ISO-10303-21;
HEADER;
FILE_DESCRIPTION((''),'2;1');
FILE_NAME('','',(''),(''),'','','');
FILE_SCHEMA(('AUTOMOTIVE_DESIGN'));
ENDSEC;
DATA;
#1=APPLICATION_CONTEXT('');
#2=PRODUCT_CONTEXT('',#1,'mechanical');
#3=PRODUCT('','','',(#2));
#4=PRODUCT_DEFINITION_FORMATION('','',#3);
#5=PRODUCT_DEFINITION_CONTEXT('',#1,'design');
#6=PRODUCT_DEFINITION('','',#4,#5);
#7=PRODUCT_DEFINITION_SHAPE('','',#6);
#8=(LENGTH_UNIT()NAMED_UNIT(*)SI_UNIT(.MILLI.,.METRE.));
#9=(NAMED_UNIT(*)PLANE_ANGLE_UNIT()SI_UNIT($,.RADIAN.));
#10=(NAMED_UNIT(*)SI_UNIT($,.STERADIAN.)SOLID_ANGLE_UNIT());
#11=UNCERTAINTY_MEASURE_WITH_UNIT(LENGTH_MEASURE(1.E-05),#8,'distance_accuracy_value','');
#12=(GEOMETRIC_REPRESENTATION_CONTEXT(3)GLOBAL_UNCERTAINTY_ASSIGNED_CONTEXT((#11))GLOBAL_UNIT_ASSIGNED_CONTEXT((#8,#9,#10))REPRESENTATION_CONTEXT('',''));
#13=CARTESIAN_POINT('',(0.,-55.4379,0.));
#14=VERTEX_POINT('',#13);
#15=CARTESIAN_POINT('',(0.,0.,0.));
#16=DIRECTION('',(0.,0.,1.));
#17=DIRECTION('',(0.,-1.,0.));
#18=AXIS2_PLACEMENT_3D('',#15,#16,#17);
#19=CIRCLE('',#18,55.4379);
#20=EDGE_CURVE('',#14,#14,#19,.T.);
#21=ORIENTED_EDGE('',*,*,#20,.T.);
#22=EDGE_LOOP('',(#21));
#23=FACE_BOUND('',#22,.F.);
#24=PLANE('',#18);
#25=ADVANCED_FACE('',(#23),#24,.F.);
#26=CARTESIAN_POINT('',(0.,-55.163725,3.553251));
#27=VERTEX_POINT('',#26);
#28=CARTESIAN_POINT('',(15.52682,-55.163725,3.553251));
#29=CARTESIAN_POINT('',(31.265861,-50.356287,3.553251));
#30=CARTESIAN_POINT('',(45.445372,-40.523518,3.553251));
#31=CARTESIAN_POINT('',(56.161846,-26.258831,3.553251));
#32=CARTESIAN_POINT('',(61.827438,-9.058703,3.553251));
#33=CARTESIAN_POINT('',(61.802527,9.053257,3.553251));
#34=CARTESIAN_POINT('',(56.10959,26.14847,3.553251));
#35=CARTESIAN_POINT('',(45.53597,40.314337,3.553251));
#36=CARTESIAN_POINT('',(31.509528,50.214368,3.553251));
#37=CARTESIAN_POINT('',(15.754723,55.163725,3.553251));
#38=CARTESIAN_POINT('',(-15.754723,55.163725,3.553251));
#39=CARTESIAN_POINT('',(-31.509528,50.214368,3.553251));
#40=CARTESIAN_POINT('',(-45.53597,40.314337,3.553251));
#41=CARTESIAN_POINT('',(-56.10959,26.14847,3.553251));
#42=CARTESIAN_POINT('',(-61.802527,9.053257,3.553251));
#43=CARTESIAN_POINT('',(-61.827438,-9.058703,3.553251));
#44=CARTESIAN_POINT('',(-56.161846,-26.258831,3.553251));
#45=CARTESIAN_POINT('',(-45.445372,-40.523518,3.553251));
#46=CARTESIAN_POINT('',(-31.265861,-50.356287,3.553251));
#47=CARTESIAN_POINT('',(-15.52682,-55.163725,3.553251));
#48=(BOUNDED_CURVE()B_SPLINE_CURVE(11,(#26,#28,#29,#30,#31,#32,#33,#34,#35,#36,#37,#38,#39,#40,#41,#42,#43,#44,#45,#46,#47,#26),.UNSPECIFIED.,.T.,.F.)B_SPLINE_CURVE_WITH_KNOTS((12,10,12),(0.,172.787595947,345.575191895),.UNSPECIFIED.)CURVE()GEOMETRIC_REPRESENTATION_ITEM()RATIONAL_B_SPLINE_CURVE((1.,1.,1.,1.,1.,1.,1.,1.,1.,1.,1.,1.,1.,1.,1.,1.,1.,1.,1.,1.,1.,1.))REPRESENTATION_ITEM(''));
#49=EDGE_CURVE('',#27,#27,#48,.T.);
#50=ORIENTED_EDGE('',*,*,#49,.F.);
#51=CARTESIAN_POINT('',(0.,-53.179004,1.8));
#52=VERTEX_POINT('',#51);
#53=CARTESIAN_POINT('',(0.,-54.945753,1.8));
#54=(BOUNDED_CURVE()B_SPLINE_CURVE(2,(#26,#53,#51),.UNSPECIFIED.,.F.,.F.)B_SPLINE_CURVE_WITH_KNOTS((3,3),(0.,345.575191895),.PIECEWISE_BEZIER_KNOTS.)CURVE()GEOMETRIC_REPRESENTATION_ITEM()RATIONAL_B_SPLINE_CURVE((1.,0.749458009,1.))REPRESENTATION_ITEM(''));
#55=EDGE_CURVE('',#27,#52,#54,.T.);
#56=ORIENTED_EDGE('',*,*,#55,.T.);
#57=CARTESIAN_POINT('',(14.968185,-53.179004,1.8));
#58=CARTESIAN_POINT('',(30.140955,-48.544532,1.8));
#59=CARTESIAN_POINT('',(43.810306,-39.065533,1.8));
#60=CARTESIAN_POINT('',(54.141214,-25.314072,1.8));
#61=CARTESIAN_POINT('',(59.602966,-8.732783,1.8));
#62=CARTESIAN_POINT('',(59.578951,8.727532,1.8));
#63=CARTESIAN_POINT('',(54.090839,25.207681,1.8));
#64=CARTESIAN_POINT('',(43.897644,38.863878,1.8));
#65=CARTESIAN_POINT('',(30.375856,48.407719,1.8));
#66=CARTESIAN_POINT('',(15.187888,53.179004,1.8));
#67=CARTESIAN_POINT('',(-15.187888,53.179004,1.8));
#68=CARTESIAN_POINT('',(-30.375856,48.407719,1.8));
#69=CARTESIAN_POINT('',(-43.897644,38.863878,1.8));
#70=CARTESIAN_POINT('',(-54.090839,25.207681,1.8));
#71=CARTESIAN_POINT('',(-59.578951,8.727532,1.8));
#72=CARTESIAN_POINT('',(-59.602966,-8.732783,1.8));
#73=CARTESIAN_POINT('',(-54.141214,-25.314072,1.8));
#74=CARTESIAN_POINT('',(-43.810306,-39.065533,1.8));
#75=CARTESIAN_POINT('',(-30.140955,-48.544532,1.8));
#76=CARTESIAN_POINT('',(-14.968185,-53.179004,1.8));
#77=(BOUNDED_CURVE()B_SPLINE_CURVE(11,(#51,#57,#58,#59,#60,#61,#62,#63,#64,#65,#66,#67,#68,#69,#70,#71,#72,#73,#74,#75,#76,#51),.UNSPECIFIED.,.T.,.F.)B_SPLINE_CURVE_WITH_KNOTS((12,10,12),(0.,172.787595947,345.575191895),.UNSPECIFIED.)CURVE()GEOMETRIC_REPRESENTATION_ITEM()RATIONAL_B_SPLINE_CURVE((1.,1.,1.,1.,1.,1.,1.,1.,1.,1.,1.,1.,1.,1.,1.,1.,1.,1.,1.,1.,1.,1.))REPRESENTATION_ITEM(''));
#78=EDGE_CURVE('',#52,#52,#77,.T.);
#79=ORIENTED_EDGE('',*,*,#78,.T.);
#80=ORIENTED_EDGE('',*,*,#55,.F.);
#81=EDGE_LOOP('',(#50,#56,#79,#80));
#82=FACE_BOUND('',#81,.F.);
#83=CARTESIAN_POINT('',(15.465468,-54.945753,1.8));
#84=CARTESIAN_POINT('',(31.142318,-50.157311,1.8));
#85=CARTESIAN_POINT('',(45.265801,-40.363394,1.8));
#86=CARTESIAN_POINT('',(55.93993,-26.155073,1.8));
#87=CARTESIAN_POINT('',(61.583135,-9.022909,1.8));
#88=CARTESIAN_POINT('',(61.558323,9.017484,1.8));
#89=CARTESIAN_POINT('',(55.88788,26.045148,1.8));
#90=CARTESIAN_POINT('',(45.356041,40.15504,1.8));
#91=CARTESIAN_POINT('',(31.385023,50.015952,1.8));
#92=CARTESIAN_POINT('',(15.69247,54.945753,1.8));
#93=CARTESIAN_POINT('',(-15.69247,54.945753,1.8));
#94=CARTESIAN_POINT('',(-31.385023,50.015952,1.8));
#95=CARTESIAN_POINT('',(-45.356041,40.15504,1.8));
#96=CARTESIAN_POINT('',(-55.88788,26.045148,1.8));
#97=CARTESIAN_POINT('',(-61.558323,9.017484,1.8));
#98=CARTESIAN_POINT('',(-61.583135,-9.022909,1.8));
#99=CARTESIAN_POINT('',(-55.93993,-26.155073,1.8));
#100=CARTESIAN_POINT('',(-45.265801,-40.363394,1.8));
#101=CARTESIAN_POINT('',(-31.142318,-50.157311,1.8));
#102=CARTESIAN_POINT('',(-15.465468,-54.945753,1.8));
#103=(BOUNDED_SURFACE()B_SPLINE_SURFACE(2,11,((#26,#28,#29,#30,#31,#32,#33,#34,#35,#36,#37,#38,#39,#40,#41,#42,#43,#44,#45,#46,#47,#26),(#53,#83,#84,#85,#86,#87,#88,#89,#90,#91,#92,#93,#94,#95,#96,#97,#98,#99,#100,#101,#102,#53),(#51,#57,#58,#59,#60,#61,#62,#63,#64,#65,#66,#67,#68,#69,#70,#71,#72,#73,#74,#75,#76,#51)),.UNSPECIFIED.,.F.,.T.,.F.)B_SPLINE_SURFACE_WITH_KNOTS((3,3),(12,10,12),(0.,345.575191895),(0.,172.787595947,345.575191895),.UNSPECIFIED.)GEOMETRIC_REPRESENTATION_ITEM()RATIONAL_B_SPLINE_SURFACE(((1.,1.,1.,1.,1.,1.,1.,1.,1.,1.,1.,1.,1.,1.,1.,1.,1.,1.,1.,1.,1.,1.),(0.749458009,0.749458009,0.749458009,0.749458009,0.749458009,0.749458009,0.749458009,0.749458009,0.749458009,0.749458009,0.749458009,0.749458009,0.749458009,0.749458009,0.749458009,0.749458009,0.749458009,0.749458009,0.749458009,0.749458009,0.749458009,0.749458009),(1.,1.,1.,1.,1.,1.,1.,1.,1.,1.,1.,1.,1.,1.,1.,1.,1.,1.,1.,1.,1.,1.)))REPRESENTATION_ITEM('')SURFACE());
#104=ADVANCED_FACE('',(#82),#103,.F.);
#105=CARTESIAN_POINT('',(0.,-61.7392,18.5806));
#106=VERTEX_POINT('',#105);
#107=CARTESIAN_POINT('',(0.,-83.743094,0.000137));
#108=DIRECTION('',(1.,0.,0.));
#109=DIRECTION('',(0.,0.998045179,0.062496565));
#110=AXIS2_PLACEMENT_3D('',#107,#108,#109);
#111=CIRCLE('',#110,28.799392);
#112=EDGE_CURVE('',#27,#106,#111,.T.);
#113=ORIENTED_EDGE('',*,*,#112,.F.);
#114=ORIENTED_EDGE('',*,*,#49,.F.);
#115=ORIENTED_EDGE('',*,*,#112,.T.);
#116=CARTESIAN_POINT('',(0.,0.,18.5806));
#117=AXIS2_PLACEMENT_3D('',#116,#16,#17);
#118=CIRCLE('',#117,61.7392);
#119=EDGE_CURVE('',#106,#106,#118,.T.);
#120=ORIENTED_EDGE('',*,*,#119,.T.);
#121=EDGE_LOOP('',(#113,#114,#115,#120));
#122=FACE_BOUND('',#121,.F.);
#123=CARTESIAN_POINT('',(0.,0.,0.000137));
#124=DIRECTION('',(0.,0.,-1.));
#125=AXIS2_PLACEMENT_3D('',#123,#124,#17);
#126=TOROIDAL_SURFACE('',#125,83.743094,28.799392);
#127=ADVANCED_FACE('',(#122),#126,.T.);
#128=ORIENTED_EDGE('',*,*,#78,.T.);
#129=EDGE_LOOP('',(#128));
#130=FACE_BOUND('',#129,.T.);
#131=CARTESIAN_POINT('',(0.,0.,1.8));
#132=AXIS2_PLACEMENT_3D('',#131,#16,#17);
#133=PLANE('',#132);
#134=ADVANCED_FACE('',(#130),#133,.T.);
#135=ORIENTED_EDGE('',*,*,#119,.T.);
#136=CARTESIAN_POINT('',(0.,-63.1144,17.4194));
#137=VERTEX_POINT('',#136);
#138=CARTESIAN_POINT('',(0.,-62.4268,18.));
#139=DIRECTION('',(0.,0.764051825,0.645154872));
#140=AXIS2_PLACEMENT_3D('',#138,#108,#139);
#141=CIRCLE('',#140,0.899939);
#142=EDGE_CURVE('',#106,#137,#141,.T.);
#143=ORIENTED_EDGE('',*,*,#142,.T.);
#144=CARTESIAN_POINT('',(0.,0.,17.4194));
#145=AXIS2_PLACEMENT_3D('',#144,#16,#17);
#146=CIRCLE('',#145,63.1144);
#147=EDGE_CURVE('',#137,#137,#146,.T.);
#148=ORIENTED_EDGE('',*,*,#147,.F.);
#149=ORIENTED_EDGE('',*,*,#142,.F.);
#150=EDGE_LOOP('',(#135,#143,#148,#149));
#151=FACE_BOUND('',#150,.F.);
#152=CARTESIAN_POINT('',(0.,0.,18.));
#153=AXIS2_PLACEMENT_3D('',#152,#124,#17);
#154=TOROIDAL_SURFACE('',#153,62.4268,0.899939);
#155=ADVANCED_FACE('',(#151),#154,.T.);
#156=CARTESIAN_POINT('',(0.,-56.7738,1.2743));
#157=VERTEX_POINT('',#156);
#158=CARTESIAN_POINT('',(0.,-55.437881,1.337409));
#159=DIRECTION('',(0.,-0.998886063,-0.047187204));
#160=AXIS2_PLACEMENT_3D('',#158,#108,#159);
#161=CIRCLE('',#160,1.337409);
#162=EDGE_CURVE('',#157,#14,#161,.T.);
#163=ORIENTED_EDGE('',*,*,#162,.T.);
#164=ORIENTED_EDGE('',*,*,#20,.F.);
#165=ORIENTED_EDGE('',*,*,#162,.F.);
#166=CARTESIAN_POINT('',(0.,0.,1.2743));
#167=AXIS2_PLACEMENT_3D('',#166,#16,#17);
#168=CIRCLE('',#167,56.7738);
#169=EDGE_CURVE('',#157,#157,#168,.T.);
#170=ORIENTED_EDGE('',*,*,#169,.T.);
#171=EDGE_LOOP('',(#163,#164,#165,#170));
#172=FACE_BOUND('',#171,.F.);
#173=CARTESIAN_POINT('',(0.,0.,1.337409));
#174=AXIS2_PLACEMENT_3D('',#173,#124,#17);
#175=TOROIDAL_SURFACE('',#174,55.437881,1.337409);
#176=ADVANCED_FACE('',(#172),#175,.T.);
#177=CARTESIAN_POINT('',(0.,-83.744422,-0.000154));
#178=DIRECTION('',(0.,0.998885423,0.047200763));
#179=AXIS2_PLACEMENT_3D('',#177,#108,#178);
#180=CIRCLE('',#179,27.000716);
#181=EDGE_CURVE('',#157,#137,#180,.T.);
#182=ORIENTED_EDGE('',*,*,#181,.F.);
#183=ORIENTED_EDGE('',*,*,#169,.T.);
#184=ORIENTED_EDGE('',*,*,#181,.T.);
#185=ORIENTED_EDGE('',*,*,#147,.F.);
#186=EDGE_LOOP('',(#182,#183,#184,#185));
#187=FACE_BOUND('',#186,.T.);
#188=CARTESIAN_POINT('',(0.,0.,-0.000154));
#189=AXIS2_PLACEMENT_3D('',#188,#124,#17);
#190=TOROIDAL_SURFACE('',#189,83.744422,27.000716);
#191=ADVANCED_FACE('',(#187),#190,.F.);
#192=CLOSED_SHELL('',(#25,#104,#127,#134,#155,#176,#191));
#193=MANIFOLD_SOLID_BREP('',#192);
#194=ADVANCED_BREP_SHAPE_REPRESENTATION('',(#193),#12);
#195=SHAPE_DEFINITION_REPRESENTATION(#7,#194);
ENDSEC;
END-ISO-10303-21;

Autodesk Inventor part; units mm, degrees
ref_plane "YZ Plane" through (0, 0, 0) normal (1, 0, 0) x (0, 1, 0)
ref_plane "XZ Plane" through (0, 0, 0) normal (0, 1, 0) x (-1, 0, 0)
ref_plane "XY Plane" through (0, 0, 0) normal (0, 0, 1) x (1, 0, 0)
sketch "Sketch1" plane through (0, 0, 0) normal (1, 0, 0) x (0, 1, 0)
  line L0 (-100.4924, 0) -> (16.7487, 0) projected
  line L1 (0, -4.1746) -> (0, 23.1754) projected
  arc A0 (-56.7738, 1.2743) -> (-63.1144, 17.4194) centre (-83.7437, 0) ccw
  arc A1 (-61.7392, 18.5806) -> (-63.1144, 17.4194) centre (-62.4268, 18) ccw
  arc A2 (-55, 1.8) -> (-61.7392, 18.5806) centre (-83.7437, 0) ccw
  line L2 (-55.4379, 0) -> (0, 0)
  line L3 (-55, 1.8) -> (0, 1.8)
  arc A3 (-56.7738, 1.2743) -> (-55.4379, 0) centre (-55.4379, 1.3374) ccw
  dimension "d0" = 0.9
  dimension "d1" = 55
  dimension "d2" = 1.8
  dimension "d3" = 18
  dimension "d6" = 27
revolve "Revolution1" add sketch "Sketch1" angle 360 about axis through (0, 0, -10) along (0, 0, 1)
fillet "Fillet1" radius 2 1 edges at (0, 55, 1.8)
properties part number "plato1"
